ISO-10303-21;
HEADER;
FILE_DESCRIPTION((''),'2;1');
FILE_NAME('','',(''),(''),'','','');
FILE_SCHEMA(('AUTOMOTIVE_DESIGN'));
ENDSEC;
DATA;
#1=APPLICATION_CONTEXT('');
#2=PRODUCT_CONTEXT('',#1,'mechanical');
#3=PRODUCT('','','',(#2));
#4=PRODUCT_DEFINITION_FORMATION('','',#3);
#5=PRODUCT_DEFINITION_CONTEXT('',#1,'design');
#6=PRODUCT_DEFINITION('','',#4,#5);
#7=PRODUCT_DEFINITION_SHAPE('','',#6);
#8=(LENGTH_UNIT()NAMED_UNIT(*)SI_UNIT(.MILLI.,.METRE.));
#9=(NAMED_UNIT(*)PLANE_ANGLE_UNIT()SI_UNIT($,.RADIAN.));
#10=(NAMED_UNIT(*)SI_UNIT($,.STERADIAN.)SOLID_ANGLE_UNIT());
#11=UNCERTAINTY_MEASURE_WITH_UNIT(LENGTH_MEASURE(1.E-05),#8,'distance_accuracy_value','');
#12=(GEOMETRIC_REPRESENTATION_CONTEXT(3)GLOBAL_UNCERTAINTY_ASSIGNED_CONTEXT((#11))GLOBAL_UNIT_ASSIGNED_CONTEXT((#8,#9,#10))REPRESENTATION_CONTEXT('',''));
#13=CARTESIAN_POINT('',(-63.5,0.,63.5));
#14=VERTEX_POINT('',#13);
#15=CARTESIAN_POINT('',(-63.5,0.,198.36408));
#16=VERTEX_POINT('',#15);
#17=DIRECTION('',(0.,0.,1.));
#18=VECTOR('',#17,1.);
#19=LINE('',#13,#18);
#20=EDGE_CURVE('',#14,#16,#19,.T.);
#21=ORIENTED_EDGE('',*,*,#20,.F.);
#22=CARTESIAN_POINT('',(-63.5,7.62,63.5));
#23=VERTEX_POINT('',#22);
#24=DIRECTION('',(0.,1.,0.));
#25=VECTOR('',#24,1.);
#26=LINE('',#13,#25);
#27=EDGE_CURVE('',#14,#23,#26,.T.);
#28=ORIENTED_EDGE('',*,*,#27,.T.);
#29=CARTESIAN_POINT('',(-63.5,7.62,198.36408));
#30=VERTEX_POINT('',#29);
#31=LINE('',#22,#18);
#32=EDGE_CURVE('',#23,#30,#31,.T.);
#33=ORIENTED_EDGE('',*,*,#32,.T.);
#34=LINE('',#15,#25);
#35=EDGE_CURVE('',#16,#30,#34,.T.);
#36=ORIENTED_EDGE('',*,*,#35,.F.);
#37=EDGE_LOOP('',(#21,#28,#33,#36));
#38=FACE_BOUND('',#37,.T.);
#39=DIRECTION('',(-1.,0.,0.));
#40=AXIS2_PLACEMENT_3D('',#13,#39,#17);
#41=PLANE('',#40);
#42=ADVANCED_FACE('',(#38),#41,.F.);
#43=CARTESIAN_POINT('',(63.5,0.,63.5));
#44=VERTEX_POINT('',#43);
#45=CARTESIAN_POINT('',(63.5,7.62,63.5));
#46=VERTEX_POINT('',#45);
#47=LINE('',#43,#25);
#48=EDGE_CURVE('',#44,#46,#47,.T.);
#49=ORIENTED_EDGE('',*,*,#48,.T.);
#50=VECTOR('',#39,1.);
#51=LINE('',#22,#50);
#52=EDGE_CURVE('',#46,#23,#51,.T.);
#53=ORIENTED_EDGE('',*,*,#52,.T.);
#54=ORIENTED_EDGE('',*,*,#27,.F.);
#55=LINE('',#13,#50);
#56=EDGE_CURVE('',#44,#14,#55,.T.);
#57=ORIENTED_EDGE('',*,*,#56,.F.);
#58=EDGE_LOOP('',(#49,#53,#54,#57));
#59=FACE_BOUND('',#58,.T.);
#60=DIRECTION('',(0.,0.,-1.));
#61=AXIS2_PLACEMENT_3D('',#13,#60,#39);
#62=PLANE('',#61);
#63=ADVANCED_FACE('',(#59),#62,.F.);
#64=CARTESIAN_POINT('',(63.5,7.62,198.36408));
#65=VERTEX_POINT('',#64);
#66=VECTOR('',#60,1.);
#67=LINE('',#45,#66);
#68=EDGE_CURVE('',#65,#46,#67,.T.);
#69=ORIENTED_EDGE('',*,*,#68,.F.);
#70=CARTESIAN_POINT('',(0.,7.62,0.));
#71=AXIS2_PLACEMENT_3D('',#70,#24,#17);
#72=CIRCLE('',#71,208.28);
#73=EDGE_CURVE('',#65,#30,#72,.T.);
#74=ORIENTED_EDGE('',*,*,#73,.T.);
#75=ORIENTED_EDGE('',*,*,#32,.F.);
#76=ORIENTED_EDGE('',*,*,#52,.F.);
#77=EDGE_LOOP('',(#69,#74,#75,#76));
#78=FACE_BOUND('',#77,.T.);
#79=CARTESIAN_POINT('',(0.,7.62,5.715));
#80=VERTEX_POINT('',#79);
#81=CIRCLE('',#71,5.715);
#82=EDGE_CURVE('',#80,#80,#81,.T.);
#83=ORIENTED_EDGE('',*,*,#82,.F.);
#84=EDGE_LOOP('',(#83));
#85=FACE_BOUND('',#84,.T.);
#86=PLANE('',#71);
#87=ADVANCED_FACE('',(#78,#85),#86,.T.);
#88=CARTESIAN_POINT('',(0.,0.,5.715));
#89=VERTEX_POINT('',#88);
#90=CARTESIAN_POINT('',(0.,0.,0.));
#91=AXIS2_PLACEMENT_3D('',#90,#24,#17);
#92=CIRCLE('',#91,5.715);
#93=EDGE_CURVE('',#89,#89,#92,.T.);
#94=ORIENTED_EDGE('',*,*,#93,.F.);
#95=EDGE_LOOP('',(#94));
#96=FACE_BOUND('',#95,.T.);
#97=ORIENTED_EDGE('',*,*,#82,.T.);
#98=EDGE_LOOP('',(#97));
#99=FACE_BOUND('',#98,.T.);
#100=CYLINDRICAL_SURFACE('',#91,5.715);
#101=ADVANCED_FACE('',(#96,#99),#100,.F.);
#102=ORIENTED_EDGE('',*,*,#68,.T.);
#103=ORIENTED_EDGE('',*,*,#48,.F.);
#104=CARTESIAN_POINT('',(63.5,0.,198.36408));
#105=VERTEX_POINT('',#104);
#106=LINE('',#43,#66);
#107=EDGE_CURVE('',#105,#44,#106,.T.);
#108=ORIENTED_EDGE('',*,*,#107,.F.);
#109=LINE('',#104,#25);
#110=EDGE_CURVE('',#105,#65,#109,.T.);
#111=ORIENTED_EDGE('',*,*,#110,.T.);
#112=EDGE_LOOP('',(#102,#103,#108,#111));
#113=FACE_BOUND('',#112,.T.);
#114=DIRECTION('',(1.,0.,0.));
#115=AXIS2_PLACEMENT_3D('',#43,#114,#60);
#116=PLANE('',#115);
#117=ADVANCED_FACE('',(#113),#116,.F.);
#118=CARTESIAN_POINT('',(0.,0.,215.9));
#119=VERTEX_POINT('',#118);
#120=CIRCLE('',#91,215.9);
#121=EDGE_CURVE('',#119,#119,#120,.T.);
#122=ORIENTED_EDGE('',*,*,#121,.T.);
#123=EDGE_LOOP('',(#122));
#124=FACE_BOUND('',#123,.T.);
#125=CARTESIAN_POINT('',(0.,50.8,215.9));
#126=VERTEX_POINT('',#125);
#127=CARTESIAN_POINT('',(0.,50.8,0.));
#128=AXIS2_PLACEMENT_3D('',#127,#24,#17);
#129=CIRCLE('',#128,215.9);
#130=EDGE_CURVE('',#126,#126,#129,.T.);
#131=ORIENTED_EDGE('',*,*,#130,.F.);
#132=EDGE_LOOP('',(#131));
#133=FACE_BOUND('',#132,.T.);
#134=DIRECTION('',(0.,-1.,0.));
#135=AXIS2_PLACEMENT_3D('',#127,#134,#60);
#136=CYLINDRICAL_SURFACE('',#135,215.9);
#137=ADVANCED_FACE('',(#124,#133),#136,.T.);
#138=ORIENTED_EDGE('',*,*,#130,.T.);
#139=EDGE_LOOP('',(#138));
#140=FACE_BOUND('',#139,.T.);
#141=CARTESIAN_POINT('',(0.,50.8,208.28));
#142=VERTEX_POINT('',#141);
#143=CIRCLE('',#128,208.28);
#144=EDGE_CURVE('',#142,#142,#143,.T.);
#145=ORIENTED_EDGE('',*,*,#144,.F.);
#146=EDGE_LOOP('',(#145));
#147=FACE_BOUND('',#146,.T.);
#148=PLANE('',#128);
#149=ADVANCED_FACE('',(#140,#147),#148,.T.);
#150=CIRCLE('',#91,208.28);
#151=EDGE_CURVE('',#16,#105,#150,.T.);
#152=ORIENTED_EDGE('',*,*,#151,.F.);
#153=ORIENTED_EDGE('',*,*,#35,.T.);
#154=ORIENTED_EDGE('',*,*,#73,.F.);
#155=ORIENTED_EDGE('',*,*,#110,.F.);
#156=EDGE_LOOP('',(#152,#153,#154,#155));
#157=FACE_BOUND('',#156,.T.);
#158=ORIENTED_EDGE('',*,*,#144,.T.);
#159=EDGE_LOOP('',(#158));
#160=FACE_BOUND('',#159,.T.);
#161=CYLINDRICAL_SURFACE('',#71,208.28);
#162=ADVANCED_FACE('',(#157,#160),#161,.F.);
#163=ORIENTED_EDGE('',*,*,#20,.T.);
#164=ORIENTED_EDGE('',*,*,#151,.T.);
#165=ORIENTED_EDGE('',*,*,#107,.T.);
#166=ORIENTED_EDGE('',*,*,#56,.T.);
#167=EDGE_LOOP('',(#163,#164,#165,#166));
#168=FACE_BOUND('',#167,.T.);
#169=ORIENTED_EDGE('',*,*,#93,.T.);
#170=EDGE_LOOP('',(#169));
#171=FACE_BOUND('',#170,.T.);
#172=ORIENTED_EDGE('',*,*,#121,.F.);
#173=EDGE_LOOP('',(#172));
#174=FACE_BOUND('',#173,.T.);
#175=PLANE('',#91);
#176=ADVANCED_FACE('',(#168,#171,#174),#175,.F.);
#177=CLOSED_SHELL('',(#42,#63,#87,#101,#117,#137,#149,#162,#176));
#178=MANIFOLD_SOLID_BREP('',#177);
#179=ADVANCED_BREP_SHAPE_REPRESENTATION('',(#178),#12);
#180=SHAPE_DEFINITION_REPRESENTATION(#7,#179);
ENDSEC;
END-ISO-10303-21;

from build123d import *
from build123d.topology import SkipClean

# Parameters (mm, degrees)
SKETCH1_R           = 215.9
BOSS_EXTRUDE1_DEPTH = 50.8
SKETCH2_R           = 208.28
CUT_EXTRUDE1_DEPTH  = 43.18
CUT_EXTRUDE2_DEPTH  = 309.366879544
SKETCH4_R           = 5.715
CUT_EXTRUDE3_DEPTH  = 309.366879544


with BuildPart() as part:
    # Sketch1 → Boss-Extrude1 (new body)
    with BuildSketch(Plane(origin=(0, 0, 0), x_dir=(1, 0, 0), z_dir=(0, 1, 0))):
        with Locations(Location((0, 0, 0), (0, 0, 270))):
            Circle(SKETCH1_R)
    extrude(amount=BOSS_EXTRUDE1_DEPTH)

    # Sketch2 → Cut-Extrude1 (cut)
    with BuildSketch(Plane(origin=(0, 50.8, 0), x_dir=(1, 0, 0), z_dir=(0, 1, 0))):
        with Locations(Location((0, 0, 0), (0, 0, 270))):
            Circle(SKETCH2_R)
    extrude(amount=-CUT_EXTRUDE1_DEPTH, mode=Mode.SUBTRACT)

    # Sketch3 → Cut-Extrude2 (cut, through all)
    with SkipClean():  # the faces are left unmerged after this step: merging them gives an invalid solid
        with BuildSketch(Plane(origin=(0, 7.62, 0), x_dir=(1, 0, 0), z_dir=(0, 1, 0))):
            with BuildLine():
                Line((-63.5, -63.5), (63.5, -63.5))
                Line((63.5, -63.5), (63.5, -198.364080418))
                ThreePointArc((63.5, -198.364080418), (0, -208.28), (-63.5, -198.364080418))
                Line((-63.5, -198.364080418), (-63.5, -63.5))
            make_face()
        extrude(amount=-CUT_EXTRUDE2_DEPTH, mode=Mode.SUBTRACT)

    # Sketch4 → Cut-Extrude3 (cut, through all)
    with SkipClean():  # the faces are left unmerged after this step: merging them gives an invalid solid
        with BuildSketch(Plane(origin=(0, 7.62, 0), x_dir=(1, 0, 0), z_dir=(0, 1, 0))):
            with Locations(Location((0, 0, 0), (0, 0, 270))):
                Circle(SKETCH4_R)
        extrude(amount=-CUT_EXTRUDE3_DEPTH, mode=Mode.SUBTRACT)


solid = part.part
